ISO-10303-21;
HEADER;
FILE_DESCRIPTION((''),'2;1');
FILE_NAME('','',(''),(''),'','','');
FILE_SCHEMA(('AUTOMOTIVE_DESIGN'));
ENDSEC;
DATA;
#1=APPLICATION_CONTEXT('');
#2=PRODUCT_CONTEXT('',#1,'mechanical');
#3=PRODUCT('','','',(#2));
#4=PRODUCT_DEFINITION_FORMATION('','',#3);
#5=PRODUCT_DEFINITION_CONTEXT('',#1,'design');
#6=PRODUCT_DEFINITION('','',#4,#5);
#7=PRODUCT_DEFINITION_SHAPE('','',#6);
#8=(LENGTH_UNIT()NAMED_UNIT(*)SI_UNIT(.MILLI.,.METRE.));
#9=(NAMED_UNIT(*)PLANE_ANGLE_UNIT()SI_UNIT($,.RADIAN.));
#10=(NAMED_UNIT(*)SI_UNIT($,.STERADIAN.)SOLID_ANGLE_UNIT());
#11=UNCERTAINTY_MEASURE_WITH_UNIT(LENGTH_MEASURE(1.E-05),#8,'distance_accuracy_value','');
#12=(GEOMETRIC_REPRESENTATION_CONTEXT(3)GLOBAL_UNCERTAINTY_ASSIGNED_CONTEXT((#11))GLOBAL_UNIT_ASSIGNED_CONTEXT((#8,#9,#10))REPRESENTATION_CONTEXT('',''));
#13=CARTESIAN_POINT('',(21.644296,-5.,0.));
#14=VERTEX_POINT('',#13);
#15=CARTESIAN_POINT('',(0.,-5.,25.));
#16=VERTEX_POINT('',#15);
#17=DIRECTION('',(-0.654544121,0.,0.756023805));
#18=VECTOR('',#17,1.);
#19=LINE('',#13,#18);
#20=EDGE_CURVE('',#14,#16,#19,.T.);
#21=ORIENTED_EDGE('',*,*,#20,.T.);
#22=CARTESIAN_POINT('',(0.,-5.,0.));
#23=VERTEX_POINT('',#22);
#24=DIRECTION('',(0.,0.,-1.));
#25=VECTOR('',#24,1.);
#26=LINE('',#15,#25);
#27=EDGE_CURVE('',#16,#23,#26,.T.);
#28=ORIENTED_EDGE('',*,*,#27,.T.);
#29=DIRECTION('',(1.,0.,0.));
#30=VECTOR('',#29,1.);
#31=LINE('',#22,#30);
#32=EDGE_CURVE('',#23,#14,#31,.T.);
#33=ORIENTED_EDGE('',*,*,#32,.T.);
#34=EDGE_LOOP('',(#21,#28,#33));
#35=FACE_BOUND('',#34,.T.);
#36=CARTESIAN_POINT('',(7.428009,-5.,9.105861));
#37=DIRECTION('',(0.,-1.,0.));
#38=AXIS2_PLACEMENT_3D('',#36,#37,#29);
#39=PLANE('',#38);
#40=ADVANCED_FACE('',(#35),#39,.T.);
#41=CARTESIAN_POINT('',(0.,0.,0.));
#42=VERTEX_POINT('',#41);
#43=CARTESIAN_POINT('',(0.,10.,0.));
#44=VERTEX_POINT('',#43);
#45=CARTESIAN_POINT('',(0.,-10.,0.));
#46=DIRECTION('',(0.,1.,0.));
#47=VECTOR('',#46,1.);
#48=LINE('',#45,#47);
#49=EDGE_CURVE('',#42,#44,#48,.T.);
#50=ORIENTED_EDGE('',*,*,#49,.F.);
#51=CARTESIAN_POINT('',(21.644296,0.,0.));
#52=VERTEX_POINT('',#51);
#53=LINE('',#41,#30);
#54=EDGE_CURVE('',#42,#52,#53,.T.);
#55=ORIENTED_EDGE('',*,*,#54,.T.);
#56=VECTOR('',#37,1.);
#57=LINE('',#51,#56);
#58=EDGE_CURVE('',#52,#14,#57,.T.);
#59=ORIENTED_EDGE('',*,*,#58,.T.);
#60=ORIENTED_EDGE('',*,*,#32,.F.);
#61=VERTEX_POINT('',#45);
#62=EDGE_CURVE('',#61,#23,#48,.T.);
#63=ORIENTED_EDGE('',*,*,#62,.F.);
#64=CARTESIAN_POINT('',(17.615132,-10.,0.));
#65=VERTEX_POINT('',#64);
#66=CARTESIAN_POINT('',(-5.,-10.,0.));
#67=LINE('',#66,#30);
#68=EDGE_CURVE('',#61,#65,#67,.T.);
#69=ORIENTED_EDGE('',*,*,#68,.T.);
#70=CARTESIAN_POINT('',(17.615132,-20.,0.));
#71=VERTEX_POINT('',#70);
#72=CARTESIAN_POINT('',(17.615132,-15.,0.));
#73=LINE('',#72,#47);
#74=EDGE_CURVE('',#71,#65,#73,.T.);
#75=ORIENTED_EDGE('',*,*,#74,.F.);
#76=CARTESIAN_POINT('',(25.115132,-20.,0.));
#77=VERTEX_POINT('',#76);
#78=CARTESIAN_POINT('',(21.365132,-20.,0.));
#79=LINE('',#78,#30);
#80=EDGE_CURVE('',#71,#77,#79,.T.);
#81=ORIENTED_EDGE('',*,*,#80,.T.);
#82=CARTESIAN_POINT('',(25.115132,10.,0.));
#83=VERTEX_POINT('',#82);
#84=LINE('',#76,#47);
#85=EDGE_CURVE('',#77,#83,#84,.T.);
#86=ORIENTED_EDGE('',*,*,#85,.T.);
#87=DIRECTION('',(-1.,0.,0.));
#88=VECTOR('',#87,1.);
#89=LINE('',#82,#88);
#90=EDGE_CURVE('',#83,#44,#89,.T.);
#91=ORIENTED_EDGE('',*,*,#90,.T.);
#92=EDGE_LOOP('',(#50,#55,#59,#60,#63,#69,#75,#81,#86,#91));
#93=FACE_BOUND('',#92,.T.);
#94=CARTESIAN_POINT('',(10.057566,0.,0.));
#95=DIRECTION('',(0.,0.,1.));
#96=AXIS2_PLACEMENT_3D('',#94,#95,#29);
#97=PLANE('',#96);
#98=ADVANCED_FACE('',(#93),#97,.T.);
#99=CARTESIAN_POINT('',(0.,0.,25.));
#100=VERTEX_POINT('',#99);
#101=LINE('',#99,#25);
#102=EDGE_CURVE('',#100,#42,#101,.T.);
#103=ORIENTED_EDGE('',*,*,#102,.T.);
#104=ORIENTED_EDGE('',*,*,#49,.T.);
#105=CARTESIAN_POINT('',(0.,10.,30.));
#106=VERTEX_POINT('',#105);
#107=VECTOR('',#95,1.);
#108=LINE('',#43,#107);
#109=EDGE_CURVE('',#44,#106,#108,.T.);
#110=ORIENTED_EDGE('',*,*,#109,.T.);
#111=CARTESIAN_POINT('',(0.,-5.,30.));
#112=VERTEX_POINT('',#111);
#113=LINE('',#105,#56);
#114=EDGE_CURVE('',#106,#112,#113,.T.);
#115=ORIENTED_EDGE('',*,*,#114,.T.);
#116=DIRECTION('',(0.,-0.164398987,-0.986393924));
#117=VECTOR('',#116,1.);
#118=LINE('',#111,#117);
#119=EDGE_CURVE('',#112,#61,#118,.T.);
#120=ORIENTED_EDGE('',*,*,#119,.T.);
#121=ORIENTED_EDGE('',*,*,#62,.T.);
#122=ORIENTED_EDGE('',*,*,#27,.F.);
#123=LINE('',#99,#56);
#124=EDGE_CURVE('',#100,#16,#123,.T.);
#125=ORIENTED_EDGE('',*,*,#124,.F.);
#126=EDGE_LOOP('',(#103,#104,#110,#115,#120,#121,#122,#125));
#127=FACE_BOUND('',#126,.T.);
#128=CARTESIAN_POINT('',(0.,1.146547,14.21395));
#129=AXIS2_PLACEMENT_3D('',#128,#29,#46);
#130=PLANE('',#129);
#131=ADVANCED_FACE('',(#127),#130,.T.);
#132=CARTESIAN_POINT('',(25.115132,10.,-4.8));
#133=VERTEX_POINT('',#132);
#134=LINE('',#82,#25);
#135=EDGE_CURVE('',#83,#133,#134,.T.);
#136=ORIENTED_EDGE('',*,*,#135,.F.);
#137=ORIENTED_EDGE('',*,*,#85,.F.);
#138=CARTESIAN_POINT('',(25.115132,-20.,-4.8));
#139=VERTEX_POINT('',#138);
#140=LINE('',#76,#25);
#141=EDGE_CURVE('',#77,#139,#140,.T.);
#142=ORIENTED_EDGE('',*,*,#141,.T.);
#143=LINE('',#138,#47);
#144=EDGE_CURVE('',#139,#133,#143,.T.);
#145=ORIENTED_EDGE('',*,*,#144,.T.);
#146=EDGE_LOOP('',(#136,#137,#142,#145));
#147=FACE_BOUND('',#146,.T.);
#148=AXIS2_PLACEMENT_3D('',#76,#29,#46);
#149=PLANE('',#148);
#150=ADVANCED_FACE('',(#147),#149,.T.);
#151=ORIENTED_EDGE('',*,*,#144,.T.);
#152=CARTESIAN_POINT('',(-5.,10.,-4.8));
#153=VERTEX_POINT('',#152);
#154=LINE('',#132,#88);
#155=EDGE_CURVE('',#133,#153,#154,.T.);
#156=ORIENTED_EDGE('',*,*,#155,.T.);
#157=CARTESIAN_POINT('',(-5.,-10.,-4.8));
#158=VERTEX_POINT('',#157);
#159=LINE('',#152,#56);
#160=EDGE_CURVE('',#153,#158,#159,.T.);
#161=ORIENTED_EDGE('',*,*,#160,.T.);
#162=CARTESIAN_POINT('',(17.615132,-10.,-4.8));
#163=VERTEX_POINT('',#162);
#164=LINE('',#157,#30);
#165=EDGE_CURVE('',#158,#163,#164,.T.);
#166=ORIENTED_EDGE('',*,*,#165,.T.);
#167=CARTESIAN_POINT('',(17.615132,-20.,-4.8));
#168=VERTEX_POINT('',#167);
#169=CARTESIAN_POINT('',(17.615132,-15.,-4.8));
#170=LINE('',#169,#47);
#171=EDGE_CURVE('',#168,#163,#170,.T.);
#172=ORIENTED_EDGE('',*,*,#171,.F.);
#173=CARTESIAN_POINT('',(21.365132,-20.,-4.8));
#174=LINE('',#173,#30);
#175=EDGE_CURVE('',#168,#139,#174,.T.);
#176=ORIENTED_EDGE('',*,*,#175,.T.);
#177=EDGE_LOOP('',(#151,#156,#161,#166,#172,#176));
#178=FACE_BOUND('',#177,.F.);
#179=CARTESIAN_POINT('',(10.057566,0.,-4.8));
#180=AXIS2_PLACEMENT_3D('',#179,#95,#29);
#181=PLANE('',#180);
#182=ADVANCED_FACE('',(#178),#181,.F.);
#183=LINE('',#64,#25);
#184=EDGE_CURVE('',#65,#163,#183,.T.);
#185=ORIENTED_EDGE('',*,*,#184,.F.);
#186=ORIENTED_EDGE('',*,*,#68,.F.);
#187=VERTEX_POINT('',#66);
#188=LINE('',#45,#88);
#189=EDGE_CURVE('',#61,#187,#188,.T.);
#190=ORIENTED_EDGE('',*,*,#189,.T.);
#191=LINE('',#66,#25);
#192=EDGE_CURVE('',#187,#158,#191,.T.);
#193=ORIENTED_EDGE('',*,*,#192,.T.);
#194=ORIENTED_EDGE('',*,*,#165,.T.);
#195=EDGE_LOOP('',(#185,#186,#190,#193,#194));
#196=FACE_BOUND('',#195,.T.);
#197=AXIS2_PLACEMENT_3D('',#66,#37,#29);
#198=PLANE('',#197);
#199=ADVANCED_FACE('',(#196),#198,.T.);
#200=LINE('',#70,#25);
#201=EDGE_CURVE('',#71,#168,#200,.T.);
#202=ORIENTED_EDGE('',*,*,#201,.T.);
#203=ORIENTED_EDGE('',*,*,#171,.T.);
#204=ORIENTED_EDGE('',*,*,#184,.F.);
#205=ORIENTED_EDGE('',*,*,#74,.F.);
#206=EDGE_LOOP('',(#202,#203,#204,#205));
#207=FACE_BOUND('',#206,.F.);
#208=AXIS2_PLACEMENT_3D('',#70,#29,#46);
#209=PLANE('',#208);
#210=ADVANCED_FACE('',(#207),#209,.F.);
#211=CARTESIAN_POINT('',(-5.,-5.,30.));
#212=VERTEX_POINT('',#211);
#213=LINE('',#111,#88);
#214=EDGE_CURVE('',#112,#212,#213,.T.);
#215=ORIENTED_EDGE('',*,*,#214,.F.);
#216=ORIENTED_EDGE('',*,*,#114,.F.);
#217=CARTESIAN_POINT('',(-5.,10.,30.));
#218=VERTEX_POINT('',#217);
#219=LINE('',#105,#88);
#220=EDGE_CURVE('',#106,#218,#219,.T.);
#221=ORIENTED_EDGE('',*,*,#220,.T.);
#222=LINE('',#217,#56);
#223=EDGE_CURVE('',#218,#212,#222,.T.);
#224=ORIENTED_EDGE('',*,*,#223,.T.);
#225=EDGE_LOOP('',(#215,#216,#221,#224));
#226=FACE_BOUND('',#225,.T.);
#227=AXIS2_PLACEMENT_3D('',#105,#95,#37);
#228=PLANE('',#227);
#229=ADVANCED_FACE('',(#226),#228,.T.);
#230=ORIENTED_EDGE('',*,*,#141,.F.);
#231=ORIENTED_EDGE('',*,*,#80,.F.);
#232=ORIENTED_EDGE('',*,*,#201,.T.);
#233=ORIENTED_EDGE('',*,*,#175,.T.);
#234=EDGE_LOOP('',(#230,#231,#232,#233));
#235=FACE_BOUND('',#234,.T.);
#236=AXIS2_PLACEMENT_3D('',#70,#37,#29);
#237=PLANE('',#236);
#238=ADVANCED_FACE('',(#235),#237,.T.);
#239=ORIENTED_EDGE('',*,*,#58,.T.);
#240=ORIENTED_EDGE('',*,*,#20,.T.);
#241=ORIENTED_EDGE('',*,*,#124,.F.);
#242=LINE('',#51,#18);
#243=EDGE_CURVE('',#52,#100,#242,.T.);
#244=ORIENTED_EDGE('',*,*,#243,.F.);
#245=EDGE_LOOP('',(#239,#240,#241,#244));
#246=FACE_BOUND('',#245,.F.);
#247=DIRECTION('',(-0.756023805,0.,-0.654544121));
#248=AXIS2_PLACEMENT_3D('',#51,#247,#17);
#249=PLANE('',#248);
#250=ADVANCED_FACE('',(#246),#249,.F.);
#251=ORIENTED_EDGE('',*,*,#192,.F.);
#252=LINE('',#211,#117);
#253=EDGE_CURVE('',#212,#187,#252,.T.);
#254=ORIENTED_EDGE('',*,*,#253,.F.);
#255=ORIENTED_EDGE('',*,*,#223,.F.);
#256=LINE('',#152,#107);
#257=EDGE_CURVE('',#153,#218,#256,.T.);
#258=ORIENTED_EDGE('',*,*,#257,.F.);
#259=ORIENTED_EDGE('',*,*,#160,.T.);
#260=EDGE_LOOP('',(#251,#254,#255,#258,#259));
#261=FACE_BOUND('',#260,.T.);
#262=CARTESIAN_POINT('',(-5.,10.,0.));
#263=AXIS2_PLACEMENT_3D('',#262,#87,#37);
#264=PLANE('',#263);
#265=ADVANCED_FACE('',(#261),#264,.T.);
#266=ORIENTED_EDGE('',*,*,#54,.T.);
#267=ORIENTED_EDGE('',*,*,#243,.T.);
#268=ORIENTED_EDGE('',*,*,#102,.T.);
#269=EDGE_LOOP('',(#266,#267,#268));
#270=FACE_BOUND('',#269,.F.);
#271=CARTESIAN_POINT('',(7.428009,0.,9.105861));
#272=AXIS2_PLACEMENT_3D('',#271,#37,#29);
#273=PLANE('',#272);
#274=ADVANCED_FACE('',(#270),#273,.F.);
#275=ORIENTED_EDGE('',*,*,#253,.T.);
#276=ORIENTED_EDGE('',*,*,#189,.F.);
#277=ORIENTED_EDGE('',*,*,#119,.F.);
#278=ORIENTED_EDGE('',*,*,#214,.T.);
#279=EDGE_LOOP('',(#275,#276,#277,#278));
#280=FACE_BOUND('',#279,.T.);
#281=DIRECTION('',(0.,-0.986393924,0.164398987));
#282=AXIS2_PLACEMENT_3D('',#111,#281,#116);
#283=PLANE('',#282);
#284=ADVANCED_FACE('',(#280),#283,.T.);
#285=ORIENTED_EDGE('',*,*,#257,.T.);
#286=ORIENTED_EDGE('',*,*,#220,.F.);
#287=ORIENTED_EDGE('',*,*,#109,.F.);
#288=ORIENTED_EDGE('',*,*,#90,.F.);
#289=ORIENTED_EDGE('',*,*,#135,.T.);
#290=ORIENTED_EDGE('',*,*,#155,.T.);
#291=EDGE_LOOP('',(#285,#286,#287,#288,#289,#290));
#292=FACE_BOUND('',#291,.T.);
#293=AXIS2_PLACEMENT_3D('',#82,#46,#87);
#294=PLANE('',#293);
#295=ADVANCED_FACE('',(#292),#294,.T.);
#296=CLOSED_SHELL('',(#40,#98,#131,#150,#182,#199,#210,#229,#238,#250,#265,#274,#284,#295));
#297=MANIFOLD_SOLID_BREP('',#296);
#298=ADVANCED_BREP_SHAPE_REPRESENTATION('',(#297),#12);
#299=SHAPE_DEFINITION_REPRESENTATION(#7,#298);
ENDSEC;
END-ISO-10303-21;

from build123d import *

# Parameters (mm, degrees)
F1_DEPTH = 5
F3_DEPTH = 5
F4_W     = 7.5
F4_H     = 10
F5_DEPTH = 4.8


with BuildPart() as f1:
    # F0 (on Front) → F1 (new body)
    with BuildSketch(Plane.XZ):
        Polygon((21.644296, 0), (0, 25), (0, 0), align=None)
    extrude(amount=F1_DEPTH)

    # F2 (on Right) → F3 (join)
    with BuildSketch(Plane.YZ):
        Polygon((-10, 0), (10, 0), (10, 30), (-5, 30), align=None)
    extrude(amount=-F3_DEPTH)

    # F4 (on Top) → F5 (join)
    with BuildSketch(Plane.XY):
        Polygon((-5, 10), (-5, -10), (17.615132, -10), (25.115132, -10), (25.115132, 10), align=None)
        with Locations((21.365132, -15)):
            Rectangle(F4_W, F4_H)
    extrude(amount=-F5_DEPTH)


solid = f1.part
